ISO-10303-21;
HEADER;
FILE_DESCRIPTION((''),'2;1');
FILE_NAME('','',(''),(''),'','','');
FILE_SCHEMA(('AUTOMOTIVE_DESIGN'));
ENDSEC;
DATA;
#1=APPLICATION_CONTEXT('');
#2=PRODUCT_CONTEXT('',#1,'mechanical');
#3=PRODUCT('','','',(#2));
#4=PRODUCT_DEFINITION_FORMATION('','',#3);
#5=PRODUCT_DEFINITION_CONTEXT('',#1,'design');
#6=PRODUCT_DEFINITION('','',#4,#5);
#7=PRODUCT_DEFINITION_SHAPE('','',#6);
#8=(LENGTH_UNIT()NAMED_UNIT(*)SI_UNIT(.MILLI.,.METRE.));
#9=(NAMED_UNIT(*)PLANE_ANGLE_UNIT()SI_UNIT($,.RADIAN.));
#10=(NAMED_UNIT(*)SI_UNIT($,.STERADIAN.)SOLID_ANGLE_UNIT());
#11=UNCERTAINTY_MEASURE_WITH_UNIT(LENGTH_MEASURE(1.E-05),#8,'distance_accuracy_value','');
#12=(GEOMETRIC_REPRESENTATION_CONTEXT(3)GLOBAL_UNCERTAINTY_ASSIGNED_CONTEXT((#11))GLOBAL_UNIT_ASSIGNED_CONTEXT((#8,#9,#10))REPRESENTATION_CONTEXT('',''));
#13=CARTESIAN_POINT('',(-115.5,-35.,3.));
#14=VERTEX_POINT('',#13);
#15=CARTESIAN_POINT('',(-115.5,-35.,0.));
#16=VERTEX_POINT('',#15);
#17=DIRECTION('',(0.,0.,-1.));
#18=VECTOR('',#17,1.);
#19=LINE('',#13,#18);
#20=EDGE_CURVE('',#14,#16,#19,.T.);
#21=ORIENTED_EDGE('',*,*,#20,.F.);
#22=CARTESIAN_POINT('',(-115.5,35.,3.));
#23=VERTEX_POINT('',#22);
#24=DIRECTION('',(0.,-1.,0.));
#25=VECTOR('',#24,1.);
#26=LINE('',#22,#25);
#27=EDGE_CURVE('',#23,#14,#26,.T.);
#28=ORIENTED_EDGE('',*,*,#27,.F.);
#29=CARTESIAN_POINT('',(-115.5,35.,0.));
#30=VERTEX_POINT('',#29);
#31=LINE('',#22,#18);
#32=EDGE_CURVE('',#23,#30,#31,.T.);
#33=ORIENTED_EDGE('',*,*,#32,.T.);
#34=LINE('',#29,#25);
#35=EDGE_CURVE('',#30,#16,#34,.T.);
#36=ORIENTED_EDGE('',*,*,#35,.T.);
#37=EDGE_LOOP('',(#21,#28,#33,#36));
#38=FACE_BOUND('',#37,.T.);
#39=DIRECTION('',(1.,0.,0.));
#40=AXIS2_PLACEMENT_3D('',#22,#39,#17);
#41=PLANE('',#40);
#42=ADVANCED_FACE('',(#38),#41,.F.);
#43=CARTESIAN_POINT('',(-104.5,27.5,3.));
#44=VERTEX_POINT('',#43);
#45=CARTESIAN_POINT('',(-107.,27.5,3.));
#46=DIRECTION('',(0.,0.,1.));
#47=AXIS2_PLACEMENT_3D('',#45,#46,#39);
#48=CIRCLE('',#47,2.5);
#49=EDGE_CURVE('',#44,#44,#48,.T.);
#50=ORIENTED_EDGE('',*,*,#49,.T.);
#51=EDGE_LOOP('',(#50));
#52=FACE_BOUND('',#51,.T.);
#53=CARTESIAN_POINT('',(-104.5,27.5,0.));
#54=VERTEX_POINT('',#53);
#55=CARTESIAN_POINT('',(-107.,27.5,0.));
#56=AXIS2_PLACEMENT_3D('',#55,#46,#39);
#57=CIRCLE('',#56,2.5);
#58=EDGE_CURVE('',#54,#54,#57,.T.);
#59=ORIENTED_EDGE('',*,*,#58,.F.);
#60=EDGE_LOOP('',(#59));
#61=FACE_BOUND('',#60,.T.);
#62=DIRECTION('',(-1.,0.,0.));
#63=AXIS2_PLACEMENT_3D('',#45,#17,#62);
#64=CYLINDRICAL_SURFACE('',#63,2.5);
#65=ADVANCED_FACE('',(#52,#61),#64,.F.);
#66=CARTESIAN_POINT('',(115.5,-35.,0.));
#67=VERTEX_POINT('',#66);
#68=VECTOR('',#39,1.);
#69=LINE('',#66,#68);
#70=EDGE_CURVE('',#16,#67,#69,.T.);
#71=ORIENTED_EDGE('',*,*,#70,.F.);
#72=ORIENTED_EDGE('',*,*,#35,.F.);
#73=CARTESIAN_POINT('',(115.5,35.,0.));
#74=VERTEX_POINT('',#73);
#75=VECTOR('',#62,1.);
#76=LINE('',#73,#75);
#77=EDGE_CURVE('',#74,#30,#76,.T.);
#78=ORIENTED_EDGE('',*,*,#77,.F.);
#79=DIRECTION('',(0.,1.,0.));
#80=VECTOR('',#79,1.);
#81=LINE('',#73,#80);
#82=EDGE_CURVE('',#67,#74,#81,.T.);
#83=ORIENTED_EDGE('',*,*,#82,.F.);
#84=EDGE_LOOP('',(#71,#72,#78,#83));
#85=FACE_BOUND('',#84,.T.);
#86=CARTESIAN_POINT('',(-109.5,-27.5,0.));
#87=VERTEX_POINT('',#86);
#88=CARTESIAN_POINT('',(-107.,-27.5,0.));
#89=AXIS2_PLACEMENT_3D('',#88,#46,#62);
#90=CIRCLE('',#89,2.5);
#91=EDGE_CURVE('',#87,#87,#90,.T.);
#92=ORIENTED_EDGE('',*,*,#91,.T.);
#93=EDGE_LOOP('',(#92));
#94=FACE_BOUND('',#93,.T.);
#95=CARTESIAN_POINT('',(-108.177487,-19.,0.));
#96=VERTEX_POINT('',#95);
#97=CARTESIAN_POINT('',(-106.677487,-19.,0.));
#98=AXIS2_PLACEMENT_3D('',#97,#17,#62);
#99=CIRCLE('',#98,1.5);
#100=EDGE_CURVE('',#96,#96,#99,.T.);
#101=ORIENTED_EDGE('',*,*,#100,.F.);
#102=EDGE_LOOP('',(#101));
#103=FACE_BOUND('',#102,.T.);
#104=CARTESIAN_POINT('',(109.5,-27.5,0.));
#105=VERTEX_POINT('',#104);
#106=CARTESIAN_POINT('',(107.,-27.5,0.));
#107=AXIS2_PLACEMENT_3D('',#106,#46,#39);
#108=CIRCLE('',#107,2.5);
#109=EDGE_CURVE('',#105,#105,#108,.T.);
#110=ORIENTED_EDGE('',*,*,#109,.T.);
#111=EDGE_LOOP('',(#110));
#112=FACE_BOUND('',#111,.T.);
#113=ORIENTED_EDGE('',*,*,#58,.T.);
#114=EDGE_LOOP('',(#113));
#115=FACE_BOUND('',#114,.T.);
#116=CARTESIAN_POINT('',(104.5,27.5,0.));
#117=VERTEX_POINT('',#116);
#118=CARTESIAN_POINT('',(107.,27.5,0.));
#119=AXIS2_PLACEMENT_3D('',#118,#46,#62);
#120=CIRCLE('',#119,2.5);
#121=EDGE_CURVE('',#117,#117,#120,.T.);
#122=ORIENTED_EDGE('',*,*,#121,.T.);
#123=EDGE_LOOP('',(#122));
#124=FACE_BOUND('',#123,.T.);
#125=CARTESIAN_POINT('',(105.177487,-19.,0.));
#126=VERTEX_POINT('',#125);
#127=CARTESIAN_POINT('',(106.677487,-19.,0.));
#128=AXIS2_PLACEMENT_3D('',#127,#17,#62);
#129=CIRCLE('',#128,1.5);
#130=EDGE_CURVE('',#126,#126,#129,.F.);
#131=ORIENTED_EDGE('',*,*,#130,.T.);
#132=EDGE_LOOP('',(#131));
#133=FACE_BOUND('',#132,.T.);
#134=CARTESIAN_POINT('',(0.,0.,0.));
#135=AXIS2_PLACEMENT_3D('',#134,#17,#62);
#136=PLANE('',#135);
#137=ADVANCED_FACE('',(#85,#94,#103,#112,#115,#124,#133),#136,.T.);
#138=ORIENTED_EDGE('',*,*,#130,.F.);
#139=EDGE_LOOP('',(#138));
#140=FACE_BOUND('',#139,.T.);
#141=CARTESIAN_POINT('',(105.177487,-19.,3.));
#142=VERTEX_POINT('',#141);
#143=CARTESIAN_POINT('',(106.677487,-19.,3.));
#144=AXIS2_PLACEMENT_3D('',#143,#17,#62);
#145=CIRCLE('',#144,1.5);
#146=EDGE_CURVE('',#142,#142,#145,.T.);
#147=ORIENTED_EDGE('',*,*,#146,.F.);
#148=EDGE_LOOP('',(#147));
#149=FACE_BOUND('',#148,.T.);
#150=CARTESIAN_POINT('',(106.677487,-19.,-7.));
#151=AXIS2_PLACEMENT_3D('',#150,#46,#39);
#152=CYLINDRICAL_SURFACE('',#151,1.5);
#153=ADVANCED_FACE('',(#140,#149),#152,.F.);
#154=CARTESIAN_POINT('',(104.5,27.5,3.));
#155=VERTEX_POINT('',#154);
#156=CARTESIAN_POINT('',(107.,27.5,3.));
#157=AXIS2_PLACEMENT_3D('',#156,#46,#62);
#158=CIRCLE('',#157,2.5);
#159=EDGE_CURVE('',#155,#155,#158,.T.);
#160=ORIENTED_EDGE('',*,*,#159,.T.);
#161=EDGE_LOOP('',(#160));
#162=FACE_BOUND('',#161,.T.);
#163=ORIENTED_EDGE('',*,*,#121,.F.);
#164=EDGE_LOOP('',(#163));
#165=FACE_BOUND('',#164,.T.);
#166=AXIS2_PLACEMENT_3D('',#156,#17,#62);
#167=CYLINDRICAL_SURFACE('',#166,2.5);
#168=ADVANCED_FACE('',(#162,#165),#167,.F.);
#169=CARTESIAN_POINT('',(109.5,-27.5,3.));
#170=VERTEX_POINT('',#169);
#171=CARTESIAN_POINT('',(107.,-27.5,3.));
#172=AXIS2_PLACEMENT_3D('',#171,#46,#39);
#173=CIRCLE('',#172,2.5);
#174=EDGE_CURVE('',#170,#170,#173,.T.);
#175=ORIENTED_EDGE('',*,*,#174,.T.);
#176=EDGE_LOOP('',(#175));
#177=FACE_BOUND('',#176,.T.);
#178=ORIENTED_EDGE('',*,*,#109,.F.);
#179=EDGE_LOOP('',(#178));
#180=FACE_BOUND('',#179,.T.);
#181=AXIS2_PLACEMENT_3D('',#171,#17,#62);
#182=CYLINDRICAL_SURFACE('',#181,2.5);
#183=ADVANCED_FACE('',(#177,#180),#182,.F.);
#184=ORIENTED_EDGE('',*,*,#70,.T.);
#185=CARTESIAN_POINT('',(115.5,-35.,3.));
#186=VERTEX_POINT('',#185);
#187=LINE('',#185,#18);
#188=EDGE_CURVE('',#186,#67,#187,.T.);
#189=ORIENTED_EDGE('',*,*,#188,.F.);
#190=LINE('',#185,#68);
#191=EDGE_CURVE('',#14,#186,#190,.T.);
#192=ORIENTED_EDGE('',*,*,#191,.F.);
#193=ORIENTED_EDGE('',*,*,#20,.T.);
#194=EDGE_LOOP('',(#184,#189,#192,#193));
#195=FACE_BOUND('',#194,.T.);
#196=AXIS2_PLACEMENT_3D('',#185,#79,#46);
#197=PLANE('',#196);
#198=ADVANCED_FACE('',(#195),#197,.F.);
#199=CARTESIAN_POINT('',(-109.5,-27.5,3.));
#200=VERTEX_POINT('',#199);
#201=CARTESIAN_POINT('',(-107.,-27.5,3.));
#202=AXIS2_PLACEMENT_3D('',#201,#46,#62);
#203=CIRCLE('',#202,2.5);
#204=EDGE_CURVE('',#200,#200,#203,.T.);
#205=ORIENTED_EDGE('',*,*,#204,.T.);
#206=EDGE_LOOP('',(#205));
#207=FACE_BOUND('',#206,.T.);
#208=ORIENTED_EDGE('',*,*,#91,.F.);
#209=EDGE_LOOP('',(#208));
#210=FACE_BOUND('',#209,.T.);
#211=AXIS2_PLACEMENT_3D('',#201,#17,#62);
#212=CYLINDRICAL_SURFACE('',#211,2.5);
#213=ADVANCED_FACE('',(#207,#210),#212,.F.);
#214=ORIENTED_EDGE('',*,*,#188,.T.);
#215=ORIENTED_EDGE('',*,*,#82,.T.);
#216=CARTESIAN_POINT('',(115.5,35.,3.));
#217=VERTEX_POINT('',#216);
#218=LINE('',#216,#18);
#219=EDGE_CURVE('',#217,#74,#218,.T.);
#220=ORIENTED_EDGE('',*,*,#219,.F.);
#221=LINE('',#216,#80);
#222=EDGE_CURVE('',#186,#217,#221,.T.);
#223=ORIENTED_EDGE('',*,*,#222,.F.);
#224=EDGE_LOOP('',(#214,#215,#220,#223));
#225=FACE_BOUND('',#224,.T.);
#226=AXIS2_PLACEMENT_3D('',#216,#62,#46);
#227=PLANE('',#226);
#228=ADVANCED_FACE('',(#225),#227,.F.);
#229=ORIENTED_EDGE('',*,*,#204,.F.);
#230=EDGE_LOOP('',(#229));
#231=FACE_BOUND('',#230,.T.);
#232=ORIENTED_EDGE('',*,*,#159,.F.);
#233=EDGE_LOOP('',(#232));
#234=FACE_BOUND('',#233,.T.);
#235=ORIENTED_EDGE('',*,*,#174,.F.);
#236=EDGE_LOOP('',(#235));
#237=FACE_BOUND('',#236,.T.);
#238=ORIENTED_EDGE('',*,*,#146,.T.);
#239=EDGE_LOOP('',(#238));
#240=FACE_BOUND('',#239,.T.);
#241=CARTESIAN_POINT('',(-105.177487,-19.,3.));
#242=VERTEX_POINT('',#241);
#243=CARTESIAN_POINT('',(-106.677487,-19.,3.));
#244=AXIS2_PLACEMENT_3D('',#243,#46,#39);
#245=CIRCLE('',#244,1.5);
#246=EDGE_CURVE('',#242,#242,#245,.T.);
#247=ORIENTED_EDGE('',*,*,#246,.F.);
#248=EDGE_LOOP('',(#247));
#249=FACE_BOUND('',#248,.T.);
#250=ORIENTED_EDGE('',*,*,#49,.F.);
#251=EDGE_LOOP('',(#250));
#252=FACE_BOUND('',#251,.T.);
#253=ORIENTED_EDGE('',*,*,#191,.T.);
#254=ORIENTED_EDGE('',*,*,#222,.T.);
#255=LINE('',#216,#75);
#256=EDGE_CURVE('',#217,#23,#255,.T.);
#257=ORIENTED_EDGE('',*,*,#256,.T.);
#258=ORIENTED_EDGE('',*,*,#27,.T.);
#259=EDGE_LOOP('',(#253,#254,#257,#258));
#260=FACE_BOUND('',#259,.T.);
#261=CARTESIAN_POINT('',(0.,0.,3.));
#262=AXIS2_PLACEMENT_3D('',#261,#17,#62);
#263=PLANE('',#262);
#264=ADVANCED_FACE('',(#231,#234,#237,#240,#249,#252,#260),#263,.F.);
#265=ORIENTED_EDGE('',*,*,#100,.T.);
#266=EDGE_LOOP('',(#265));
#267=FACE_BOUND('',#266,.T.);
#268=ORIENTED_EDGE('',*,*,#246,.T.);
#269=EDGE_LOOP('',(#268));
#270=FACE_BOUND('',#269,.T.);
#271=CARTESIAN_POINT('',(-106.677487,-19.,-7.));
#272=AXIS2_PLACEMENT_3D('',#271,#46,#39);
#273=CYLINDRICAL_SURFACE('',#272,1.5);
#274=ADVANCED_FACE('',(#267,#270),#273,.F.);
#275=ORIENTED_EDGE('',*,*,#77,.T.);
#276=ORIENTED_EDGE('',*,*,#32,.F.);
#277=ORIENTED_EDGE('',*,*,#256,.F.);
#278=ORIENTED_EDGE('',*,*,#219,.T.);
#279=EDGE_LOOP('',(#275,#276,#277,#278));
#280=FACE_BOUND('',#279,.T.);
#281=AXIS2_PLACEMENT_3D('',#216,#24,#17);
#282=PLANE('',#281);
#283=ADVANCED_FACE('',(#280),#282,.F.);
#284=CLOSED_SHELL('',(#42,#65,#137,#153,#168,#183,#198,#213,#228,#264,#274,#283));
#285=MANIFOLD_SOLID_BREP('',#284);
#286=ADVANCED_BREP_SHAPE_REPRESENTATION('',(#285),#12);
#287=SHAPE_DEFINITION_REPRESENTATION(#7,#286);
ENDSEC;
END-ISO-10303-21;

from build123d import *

# Parameters (mm, degrees)
SKETCH_1_W          = 231
SKETCH_1_H          = 70
SKETCH_1_R          = 2.5
EXTRUDE_1_DEPTH     = 3
SKETCH_4_R          = 1.5
CUT_EXTRUDE_1_DEPTH = 10


with BuildPart() as part:
    # 草图1 → 凸台-拉伸1 (new body)
    with BuildSketch(Plane.XY):
        Rectangle(SKETCH_1_W, SKETCH_1_H)
        with Locations((-107, 27.5)):
            Circle(SKETCH_1_R, mode=Mode.SUBTRACT)
        with Locations(Location((-107, -27.5, 0), (0, 0, 180))):
            Circle(SKETCH_1_R, mode=Mode.SUBTRACT)
        with Locations((107, -27.5)):
            Circle(SKETCH_1_R, mode=Mode.SUBTRACT)
        with Locations(Location((107, 27.5, 0), (0, 0, 180))):
            Circle(SKETCH_1_R, mode=Mode.SUBTRACT)
    extrude(amount=EXTRUDE_1_DEPTH)

    # 草图4 → 切除-拉伸1 (cut)
    with BuildSketch(Plane.XY.offset(3)):
        with Locations((-106.677486576, -19)):
            Circle(SKETCH_4_R)
    cut_extrude_1 = extrude(amount=-CUT_EXTRUDE_1_DEPTH, mode=Mode.SUBTRACT)

    # 镜向1: 切除-拉伸1 across plane
    add(cut_extrude_1.mirror(Plane(origin=(0, 0, 0), x_dir=(0, 0, 1), z_dir=(1, 0, 0))), mode=Mode.SUBTRACT)


solid = part.part
